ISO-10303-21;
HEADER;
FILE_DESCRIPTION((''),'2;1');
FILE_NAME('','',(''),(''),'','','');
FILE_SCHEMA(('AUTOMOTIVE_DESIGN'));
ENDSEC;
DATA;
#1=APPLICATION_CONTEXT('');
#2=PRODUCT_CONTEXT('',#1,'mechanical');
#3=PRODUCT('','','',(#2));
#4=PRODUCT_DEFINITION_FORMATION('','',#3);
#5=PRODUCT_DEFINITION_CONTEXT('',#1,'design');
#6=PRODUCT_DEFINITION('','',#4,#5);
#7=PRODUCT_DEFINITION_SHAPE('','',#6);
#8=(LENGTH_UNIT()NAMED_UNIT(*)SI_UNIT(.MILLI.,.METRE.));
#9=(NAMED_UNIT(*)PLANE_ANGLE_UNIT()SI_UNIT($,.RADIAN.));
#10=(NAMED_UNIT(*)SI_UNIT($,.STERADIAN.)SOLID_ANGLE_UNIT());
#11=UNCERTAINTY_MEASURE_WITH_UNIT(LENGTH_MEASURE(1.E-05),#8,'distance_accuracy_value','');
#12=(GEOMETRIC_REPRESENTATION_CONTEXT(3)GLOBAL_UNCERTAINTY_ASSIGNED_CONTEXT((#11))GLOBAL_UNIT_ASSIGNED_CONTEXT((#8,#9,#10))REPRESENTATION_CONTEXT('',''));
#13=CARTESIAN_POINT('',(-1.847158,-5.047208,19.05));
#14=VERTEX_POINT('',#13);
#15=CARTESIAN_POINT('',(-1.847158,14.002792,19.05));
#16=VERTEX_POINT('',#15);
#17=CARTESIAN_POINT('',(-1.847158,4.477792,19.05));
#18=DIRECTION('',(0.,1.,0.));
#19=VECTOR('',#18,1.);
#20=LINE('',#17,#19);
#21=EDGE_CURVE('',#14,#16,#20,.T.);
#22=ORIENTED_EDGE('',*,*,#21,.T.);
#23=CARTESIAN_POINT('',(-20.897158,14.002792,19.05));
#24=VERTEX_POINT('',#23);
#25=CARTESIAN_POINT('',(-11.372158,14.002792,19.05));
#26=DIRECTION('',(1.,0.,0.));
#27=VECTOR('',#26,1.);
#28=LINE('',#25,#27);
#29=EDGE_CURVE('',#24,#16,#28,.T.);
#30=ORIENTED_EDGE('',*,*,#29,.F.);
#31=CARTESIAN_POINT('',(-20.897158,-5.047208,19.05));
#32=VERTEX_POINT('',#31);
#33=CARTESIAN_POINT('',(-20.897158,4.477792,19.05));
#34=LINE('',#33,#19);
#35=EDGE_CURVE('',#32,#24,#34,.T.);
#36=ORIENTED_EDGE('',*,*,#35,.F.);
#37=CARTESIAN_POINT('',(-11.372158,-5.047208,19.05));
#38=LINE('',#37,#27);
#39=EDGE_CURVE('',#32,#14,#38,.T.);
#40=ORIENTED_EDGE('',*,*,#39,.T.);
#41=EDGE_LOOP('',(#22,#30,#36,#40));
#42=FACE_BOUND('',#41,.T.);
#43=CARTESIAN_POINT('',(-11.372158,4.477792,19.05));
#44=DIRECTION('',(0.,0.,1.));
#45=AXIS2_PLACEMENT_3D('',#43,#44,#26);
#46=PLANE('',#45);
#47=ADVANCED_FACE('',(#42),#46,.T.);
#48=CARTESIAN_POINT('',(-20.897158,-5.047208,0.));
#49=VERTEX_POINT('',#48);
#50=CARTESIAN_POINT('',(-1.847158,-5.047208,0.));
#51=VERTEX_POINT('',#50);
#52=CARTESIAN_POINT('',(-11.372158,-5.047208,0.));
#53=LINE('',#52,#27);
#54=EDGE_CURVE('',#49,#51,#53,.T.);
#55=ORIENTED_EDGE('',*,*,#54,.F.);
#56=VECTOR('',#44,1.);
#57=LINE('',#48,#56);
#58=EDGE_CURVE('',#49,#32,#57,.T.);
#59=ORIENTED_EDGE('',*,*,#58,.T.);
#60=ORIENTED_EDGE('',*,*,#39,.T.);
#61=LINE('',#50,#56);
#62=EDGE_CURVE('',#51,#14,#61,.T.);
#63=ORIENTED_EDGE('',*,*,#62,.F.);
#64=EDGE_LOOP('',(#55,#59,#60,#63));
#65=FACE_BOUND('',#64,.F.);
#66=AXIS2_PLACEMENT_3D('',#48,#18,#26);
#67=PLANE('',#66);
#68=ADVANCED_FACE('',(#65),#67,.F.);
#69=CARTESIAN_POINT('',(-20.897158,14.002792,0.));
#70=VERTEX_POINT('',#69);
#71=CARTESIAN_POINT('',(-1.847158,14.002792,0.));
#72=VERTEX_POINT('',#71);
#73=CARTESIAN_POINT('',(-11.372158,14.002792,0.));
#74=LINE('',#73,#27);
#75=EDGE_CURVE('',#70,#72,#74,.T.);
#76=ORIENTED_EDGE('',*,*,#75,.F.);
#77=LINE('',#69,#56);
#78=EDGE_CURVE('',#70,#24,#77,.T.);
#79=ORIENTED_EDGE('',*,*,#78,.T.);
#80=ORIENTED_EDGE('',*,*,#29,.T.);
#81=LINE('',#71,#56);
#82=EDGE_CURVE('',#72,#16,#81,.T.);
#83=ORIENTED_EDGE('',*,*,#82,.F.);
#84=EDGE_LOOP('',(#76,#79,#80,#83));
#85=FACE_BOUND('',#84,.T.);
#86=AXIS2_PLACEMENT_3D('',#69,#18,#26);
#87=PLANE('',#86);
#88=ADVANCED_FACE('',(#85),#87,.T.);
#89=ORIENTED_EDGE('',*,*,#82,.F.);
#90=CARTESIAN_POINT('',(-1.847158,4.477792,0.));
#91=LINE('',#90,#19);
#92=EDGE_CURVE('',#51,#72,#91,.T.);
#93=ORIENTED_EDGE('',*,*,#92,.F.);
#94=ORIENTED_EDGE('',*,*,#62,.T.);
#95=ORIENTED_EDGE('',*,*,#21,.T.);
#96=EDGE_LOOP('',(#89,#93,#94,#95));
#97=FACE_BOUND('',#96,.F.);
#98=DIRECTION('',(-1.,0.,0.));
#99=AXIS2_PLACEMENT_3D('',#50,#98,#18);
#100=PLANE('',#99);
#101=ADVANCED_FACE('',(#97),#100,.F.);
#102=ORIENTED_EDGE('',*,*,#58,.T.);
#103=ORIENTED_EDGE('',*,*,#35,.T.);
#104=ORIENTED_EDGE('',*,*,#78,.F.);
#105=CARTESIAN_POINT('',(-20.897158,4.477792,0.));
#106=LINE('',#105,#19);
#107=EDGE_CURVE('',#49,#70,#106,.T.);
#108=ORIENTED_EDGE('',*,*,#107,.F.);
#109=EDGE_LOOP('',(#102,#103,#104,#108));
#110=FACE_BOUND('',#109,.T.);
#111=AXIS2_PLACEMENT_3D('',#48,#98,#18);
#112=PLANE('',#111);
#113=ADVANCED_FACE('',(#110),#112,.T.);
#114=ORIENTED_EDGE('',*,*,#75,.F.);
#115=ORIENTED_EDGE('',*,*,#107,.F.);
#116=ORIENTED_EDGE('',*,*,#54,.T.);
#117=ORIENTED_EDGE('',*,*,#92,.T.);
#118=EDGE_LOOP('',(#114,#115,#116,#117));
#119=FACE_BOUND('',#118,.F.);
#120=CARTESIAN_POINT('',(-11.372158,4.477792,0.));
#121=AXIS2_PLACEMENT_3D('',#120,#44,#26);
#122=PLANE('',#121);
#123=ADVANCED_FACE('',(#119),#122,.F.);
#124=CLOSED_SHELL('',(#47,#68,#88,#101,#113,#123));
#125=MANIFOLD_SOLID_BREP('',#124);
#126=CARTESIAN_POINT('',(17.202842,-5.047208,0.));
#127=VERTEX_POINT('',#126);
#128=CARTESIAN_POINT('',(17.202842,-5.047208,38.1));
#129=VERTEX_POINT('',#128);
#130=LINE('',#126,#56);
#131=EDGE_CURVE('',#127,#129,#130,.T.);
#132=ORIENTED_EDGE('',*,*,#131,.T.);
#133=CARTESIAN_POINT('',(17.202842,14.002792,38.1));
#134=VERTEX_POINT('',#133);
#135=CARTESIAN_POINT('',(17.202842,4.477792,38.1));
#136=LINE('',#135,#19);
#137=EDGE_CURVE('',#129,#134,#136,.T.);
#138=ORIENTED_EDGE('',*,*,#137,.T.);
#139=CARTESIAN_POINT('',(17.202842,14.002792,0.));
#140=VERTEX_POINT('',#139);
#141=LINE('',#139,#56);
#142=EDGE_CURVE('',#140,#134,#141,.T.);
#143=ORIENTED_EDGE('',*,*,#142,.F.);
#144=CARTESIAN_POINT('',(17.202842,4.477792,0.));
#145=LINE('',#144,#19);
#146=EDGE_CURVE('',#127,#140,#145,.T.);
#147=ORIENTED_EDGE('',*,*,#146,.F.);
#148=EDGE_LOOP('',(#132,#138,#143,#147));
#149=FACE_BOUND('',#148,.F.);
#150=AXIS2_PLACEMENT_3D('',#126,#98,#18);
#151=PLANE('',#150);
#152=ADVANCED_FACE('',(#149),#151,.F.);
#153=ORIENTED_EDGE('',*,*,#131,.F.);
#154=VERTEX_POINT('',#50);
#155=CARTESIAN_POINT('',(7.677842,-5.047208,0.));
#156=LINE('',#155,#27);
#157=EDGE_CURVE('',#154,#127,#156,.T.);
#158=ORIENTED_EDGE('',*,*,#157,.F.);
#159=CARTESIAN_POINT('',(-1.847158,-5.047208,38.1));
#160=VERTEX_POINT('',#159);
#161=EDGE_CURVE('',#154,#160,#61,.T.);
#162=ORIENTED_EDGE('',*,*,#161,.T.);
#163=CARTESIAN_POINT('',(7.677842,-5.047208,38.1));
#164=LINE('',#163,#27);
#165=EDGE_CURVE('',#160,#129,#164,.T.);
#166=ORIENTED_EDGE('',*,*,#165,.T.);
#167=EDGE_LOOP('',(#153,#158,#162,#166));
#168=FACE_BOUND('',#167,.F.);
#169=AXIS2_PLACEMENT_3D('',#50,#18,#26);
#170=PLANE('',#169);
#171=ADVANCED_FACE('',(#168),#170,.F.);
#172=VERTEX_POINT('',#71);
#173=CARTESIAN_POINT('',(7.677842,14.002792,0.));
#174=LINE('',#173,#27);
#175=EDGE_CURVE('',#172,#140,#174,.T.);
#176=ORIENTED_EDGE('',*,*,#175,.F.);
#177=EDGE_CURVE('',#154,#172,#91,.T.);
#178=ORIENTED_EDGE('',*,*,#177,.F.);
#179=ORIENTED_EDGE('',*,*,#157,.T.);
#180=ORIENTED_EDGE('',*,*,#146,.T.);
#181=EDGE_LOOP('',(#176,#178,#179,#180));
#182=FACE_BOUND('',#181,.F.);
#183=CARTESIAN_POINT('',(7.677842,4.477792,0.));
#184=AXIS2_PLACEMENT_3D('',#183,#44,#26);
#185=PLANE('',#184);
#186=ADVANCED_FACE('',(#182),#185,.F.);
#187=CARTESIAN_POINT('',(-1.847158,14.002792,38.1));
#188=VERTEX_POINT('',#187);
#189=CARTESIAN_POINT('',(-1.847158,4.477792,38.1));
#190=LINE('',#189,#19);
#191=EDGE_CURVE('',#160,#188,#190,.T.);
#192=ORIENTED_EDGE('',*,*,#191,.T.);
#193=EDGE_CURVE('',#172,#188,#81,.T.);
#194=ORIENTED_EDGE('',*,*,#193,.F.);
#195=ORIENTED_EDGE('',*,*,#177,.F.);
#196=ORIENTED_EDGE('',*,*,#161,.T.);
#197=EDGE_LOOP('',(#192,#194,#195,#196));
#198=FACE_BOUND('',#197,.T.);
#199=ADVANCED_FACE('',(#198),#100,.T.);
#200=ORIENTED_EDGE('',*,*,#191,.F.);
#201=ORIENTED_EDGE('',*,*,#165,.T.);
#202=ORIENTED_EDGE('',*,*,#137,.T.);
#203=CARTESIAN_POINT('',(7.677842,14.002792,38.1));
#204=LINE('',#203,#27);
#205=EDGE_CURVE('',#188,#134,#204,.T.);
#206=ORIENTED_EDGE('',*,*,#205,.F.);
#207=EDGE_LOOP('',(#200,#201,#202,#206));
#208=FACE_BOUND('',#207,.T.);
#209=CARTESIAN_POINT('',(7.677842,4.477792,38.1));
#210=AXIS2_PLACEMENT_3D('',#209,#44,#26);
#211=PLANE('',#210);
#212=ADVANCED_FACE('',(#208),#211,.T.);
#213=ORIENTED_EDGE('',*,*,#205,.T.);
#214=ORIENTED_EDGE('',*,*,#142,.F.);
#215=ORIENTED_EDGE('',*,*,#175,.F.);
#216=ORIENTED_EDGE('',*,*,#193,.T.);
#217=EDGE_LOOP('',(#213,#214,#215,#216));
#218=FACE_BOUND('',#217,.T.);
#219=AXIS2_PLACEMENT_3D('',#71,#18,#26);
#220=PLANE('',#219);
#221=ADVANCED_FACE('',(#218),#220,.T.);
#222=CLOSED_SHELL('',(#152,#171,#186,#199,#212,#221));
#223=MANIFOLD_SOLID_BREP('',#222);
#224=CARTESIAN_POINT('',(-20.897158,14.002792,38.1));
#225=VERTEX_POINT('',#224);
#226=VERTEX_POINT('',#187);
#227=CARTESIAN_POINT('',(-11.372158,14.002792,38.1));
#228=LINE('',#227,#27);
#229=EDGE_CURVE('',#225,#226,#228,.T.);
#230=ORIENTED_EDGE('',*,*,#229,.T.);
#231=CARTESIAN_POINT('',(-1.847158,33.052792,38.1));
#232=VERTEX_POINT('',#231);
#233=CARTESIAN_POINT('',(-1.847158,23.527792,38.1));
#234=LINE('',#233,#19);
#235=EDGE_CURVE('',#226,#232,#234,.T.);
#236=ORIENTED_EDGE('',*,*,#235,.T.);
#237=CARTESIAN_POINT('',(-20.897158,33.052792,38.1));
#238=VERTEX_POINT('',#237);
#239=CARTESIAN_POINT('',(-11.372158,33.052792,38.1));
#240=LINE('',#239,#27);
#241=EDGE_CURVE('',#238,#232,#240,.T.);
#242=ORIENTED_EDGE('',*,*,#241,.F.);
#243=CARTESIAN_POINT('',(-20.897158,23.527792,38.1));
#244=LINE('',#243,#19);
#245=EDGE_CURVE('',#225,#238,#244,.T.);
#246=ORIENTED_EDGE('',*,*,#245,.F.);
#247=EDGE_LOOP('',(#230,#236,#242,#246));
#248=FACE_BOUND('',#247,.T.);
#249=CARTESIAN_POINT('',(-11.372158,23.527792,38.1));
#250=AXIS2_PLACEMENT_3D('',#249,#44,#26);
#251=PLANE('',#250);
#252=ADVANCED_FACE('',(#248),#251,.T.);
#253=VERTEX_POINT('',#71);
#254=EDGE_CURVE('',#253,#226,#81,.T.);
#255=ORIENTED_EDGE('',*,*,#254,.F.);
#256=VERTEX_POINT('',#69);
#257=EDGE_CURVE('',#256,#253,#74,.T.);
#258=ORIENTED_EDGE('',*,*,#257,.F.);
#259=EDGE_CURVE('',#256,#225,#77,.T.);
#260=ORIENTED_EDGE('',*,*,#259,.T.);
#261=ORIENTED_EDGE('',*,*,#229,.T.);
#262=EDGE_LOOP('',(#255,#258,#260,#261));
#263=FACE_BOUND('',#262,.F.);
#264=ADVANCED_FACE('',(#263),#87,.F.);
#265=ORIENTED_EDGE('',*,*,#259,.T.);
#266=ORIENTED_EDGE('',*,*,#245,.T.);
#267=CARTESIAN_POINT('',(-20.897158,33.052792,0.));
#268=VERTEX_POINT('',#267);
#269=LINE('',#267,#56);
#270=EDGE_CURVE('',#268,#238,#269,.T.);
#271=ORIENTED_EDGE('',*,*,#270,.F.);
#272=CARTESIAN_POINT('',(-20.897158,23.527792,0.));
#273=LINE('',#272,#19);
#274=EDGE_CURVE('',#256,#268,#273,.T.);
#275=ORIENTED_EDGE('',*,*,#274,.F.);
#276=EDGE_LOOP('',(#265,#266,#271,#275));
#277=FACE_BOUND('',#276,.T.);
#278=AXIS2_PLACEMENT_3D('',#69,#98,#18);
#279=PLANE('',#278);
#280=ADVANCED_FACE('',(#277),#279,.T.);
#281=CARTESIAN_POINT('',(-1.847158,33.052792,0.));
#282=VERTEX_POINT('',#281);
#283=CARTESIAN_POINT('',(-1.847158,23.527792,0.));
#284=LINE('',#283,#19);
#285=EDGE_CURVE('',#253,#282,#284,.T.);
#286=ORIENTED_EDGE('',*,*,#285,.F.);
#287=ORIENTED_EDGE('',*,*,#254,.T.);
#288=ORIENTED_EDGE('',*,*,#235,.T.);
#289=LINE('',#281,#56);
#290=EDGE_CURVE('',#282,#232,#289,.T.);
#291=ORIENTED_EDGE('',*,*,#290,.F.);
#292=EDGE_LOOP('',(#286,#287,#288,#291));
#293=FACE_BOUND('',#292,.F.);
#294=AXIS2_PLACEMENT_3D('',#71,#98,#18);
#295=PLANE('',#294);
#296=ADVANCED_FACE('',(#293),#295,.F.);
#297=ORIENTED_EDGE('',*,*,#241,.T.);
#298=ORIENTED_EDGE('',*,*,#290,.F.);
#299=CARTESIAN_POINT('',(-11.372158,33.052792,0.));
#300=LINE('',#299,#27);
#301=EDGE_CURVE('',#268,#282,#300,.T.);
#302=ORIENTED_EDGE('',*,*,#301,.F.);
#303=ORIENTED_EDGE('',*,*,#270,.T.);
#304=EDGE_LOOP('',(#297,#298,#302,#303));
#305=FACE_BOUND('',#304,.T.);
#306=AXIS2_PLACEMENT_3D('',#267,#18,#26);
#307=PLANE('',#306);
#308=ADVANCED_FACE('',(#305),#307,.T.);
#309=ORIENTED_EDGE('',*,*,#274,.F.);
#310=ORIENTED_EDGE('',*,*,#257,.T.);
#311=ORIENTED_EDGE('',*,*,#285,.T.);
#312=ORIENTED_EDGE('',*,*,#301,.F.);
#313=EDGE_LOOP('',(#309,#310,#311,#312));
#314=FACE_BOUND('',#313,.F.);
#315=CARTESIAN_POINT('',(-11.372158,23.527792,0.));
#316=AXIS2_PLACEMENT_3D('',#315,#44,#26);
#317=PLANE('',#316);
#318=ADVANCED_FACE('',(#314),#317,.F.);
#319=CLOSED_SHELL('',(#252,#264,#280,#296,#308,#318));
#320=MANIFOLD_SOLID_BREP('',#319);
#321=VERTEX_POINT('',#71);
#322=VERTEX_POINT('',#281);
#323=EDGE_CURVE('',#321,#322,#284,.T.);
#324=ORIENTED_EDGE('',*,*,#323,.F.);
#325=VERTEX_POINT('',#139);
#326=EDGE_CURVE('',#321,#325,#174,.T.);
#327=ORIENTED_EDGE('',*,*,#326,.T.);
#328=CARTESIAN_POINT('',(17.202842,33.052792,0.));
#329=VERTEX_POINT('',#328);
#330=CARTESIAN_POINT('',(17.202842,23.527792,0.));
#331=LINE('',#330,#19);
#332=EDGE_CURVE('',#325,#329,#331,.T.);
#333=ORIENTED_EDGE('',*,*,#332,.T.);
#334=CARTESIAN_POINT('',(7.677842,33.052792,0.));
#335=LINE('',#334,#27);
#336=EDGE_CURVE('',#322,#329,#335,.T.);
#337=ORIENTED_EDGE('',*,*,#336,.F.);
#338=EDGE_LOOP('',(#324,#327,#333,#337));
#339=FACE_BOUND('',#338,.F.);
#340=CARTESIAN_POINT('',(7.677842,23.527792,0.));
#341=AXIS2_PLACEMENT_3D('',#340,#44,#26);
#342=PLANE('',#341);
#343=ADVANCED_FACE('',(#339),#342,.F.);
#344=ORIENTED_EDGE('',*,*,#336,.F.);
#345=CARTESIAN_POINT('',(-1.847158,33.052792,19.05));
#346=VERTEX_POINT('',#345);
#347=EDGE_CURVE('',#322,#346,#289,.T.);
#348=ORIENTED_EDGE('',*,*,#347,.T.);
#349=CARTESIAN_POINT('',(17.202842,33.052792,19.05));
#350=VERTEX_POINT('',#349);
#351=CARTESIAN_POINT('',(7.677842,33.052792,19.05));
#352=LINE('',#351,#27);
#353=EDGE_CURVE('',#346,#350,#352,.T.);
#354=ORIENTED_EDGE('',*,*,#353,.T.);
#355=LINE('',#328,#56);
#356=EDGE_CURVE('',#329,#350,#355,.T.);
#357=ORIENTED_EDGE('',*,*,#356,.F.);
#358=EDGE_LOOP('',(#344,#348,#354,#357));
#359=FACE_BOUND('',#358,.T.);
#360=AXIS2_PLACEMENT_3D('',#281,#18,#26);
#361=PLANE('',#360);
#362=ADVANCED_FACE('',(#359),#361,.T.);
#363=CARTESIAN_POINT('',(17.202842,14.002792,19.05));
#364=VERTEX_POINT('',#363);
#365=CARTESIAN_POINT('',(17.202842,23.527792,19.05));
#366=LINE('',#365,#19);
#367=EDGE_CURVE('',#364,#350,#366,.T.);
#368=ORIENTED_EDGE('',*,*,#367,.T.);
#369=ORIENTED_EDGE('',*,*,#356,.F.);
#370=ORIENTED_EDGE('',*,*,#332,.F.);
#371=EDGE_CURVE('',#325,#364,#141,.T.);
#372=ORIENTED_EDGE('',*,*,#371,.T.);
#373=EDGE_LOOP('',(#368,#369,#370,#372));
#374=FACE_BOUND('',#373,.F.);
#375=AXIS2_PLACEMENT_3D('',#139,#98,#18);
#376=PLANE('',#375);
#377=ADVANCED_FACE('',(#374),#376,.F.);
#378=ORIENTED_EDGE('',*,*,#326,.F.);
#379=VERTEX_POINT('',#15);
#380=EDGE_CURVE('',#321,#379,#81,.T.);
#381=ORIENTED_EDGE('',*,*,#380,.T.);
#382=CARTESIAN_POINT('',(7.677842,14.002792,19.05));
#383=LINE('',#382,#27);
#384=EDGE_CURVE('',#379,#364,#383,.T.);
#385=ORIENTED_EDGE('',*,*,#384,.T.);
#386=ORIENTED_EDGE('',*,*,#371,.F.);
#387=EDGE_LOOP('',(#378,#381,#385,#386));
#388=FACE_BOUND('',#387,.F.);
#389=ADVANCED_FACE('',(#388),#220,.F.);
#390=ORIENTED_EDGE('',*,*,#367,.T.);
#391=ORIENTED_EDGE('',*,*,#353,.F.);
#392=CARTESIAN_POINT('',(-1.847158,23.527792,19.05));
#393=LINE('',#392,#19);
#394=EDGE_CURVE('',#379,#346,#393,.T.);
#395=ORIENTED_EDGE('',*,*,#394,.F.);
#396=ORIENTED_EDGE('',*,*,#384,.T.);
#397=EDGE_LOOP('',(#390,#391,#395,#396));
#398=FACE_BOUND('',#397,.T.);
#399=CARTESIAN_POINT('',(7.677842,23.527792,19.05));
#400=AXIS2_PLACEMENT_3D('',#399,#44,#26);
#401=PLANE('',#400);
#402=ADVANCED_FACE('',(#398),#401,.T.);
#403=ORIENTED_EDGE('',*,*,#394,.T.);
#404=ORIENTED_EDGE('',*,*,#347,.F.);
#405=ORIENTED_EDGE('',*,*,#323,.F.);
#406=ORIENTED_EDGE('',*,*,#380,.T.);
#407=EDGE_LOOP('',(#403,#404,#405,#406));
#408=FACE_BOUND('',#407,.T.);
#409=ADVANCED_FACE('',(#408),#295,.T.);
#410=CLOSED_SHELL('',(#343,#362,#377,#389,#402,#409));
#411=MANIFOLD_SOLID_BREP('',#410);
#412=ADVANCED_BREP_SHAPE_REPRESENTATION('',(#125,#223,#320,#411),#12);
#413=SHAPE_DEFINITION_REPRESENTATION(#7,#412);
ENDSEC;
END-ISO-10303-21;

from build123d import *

# Parameters (mm, degrees)
F0_W     = 19.05
F0_H     = 19.05
F1_DEPTH = 19.05
F2_DEPTH = 38.1


with BuildPart() as f1:
    # F0 (on Top) → F1 (new body)
    with BuildSketch(Plane.XY):
        with Locations((7.677842, 23.527792)):
            Rectangle(F0_W, F0_H)
        with Locations((-11.372158, 4.477792)):
            Rectangle(F0_W, F0_H)
    extrude(amount=F1_DEPTH)


with BuildPart() as f2:
    # F0 (on Top) → F2 (new body)
    with BuildSketch(Plane.XY):
        with Locations((-11.372158, 23.527792)):
            Rectangle(F0_W, F0_H)
        with Locations((7.677842, 4.477792)):
            Rectangle(F0_W, F0_H)
    extrude(amount=F2_DEPTH)


solid = Compound([f1.part, f2.part])
